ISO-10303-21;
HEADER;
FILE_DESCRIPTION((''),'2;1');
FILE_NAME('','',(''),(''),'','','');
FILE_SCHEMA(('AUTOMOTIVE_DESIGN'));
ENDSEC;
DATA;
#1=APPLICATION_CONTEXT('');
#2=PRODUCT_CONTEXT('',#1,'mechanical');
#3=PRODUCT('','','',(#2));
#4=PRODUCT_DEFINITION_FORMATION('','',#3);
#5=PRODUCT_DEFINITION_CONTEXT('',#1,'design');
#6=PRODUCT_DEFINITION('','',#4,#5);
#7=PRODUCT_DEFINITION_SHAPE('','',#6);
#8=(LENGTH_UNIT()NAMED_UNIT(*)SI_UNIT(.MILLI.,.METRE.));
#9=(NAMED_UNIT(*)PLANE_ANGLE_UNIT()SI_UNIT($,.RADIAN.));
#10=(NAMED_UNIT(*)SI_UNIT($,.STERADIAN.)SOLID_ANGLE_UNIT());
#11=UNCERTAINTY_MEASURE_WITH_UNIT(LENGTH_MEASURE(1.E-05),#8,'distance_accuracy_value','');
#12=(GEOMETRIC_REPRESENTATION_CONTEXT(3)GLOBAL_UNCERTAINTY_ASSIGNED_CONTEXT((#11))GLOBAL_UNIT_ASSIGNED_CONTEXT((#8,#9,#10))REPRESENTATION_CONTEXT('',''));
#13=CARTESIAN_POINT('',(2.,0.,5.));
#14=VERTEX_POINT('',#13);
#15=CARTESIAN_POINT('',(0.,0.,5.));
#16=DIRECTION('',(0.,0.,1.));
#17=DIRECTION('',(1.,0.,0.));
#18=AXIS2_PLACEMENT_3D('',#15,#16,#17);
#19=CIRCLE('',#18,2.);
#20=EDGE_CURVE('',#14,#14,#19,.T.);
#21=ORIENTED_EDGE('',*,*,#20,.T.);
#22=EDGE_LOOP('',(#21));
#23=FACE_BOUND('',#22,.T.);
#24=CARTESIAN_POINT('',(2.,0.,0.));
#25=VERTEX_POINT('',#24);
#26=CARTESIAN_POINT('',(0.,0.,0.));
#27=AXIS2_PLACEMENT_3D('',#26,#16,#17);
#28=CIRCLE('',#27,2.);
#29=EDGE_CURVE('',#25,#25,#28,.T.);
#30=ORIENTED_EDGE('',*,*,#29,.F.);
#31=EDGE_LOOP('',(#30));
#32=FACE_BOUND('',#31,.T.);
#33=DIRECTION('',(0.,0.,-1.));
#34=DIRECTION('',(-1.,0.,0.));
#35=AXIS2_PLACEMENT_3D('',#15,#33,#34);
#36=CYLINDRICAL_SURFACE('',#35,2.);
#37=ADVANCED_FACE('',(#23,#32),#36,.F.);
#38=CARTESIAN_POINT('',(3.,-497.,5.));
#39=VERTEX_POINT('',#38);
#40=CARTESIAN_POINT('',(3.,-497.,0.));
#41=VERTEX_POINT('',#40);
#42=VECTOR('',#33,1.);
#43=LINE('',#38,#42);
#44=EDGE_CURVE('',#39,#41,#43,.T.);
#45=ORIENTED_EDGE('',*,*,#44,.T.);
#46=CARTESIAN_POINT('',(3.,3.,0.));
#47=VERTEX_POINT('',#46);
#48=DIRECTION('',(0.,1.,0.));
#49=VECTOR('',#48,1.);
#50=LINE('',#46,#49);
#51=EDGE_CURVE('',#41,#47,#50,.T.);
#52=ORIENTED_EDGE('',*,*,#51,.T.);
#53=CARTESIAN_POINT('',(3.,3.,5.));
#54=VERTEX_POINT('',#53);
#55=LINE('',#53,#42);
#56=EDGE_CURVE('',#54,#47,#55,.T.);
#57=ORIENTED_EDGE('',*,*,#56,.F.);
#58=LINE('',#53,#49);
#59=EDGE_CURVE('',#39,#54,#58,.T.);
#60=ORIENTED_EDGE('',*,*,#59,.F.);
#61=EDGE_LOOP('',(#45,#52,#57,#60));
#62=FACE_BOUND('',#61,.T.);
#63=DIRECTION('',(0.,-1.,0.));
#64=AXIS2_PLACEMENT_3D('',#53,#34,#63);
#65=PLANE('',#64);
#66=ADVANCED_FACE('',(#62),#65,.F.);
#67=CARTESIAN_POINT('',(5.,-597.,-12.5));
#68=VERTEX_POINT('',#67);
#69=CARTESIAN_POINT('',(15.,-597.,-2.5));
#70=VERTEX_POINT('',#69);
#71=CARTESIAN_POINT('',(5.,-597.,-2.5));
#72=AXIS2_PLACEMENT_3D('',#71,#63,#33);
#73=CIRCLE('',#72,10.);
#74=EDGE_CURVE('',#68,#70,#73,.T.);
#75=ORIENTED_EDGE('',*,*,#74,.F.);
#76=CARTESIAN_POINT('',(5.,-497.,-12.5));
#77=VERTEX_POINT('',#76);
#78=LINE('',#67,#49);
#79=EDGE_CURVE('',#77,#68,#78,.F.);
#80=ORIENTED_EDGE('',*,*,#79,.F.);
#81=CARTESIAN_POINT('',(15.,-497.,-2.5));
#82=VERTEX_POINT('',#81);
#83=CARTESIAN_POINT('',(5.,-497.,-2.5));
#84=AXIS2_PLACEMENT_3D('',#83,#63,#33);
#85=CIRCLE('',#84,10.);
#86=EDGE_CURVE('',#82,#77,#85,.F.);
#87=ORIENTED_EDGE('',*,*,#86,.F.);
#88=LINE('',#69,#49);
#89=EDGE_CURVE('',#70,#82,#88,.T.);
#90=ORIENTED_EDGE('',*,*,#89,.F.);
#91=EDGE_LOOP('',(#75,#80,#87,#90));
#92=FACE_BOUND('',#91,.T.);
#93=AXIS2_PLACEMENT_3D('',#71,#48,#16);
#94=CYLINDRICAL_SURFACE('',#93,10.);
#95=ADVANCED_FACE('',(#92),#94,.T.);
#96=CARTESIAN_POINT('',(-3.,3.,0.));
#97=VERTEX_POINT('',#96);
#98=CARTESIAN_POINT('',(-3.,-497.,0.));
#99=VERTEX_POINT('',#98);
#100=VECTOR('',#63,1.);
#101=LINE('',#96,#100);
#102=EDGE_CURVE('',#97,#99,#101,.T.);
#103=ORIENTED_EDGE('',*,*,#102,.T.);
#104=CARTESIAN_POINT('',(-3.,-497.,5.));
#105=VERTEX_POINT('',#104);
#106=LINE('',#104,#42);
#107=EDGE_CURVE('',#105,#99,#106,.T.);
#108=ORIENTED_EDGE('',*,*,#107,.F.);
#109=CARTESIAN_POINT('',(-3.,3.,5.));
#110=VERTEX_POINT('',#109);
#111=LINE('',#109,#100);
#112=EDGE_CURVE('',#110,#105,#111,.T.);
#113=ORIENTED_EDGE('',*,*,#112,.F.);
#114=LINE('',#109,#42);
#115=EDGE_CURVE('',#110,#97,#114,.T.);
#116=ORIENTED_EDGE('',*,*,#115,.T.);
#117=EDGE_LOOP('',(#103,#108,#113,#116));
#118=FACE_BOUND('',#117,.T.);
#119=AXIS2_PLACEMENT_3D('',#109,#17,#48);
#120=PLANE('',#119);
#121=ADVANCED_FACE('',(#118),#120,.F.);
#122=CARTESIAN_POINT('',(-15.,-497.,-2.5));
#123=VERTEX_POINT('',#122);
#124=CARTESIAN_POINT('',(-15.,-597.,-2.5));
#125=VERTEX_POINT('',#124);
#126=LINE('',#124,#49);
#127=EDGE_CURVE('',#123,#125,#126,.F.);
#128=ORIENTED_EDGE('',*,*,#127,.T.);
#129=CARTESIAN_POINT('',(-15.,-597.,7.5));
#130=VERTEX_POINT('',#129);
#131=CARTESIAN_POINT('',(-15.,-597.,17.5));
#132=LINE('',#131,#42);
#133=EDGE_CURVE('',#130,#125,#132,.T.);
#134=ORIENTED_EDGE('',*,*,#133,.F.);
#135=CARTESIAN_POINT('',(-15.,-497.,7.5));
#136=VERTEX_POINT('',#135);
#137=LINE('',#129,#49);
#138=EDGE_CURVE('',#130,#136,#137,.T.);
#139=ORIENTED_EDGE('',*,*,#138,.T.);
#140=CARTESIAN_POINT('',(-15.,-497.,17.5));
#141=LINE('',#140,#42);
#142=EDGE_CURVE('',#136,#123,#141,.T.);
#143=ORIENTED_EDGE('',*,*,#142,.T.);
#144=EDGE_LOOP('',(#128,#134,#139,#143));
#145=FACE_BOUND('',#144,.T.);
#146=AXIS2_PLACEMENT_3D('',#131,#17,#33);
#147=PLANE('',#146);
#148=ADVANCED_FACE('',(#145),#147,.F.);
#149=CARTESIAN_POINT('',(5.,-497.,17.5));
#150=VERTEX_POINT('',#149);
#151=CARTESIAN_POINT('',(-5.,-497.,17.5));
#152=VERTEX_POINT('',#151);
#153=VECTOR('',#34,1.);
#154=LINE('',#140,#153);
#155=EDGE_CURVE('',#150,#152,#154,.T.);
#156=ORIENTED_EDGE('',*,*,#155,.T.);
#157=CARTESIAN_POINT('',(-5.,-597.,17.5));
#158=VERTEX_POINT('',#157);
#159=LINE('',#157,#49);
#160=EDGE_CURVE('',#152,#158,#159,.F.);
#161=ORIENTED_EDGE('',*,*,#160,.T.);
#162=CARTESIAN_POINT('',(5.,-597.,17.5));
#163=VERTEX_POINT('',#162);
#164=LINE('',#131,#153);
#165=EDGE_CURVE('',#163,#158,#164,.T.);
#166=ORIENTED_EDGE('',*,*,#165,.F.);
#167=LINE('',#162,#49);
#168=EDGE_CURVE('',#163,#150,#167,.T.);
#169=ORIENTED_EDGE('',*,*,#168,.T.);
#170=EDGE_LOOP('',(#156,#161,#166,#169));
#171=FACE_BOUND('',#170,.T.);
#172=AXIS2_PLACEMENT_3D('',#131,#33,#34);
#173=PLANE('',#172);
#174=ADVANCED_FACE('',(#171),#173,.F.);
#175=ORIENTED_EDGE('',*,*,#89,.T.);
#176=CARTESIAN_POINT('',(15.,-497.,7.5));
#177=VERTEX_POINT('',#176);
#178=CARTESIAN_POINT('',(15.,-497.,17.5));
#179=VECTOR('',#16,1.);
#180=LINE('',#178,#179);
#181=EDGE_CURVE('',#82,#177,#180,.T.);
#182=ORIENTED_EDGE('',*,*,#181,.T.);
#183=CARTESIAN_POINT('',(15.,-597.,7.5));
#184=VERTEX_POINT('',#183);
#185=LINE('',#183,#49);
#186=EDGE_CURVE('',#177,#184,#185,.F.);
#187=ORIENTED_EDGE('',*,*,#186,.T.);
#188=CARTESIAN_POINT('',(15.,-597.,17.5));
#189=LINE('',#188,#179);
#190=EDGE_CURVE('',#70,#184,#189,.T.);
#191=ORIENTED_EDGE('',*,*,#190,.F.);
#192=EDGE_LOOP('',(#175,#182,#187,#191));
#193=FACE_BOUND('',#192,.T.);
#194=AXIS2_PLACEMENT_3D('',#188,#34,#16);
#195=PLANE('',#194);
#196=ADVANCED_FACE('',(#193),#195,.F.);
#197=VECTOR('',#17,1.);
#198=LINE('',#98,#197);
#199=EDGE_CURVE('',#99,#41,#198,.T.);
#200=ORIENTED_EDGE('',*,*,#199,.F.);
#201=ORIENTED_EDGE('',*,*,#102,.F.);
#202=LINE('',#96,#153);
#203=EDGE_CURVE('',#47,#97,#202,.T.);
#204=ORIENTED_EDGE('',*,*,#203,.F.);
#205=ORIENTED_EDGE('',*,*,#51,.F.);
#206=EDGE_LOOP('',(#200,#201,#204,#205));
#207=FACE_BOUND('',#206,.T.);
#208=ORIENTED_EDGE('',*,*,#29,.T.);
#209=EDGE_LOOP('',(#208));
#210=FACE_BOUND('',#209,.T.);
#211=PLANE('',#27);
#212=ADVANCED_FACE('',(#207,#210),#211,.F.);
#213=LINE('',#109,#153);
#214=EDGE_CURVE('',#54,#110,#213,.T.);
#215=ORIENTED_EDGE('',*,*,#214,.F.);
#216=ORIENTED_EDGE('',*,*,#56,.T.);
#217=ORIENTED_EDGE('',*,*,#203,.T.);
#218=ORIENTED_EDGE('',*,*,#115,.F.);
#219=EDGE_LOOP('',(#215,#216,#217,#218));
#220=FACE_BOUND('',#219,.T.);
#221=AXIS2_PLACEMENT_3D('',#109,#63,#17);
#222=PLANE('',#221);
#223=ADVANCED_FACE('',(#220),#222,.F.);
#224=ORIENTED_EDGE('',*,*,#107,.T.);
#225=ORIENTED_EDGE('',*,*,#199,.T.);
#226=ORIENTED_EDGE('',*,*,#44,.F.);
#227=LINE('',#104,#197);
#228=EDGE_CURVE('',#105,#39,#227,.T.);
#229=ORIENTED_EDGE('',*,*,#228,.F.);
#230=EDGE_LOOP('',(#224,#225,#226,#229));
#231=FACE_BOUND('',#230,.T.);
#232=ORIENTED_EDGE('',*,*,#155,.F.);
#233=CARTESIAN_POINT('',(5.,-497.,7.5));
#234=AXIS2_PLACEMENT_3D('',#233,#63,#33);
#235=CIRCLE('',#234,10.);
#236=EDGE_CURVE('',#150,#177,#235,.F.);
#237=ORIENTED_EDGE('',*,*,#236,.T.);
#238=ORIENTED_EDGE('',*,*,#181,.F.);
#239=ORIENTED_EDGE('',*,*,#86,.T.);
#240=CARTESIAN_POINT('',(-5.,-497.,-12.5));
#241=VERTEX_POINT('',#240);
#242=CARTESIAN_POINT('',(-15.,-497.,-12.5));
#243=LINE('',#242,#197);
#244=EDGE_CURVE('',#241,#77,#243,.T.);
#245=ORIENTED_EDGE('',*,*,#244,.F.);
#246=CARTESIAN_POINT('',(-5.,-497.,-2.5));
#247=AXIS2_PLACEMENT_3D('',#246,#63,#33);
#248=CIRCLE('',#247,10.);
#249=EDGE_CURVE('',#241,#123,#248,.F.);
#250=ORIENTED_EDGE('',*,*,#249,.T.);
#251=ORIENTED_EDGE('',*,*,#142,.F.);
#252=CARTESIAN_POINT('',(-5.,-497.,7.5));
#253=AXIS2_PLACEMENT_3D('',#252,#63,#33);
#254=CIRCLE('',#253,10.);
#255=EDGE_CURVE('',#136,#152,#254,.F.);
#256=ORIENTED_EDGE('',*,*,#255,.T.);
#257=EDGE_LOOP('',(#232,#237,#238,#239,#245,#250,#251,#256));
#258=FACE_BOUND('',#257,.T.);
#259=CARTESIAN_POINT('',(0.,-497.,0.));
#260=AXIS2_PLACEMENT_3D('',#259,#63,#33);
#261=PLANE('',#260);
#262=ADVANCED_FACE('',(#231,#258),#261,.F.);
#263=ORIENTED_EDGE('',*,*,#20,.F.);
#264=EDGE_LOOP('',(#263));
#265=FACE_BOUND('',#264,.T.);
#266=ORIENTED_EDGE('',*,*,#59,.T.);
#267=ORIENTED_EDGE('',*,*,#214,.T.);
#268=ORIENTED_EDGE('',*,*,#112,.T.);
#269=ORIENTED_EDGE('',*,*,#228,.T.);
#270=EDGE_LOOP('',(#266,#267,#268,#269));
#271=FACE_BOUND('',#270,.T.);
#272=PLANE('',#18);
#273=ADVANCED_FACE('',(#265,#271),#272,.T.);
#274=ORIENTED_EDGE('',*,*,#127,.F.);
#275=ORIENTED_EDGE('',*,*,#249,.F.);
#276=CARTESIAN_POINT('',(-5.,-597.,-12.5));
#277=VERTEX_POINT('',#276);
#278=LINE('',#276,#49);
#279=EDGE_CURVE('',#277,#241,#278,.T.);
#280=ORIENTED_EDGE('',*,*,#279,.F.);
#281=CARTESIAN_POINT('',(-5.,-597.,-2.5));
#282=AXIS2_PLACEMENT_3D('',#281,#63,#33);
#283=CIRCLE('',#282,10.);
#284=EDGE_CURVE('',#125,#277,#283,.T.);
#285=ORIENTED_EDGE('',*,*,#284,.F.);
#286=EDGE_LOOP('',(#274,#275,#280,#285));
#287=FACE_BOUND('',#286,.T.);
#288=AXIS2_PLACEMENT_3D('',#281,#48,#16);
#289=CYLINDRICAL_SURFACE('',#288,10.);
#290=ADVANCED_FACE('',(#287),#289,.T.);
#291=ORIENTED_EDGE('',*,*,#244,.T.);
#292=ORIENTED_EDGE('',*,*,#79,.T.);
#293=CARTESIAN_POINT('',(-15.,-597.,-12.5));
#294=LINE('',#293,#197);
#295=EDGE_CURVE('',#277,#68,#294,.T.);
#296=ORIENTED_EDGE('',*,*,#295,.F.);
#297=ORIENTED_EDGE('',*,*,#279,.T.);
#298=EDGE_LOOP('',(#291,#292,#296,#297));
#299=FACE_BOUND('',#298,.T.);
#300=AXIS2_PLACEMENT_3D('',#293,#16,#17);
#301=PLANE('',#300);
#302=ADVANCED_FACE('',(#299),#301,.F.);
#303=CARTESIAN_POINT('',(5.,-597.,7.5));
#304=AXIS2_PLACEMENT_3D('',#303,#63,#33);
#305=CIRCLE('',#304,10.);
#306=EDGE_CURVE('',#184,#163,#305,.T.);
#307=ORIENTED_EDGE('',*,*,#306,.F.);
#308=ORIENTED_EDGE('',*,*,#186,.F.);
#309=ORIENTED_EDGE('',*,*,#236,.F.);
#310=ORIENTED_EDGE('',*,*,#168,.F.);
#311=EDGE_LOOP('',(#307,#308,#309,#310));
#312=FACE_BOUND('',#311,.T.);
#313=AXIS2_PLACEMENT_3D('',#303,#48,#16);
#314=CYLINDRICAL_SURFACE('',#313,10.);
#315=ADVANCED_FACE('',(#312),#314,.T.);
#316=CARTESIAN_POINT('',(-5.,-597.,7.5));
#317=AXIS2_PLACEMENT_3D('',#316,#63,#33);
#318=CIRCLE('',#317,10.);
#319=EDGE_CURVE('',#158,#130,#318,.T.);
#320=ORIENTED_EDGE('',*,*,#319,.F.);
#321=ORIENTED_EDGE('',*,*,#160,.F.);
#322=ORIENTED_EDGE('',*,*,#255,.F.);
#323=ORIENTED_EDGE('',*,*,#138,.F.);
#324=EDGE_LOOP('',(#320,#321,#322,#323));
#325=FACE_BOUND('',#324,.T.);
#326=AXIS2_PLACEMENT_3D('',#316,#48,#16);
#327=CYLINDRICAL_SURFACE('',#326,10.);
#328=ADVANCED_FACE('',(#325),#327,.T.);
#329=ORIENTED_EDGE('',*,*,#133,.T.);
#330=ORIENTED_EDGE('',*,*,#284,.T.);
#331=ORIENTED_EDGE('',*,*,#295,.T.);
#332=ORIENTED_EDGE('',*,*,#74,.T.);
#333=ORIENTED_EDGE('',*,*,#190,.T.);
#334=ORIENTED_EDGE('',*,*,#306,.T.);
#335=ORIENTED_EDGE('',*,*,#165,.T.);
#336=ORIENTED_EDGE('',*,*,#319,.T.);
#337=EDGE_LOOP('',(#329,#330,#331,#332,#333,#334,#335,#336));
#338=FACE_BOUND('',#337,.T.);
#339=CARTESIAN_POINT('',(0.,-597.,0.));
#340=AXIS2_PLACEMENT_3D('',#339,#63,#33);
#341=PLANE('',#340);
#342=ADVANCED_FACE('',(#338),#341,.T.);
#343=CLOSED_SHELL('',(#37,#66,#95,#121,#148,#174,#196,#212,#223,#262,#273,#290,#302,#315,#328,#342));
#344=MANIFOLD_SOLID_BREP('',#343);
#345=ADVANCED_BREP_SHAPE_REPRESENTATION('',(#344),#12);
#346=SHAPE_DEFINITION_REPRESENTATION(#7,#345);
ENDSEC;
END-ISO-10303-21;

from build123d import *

# Parameters (mm, degrees)
SKETCH1_W           = 6
SKETCH1_H           = 500
SKETCH1_R           = 2
BOSS_EXTRUDE1_DEPTH = 5
SKETCH2_W           = 30
SKETCH2_H           = 30
BOSS_EXTRUDE2_DEPTH = 100
FILLET1_R           = 10


with BuildPart() as part:
    # Sketch1 → Boss-Extrude1 (new body)
    with BuildSketch(Plane.XY):
        with Locations((0, -247)):
            Rectangle(SKETCH1_W, SKETCH1_H)
        Circle(SKETCH1_R, mode=Mode.SUBTRACT)
    extrude(amount=BOSS_EXTRUDE1_DEPTH)

    # Sketch2 → Boss-Extrude2 (add)
    with BuildSketch(Plane.XZ.offset(497)):
        with Locations((0, 2.5)):
            Rectangle(SKETCH2_W, SKETCH2_H)
    extrude(amount=BOSS_EXTRUDE2_DEPTH)

    # Fillet1
    fillet1_edges = [part.edges().sort_by_distance(p)[0] for p in [
        (15, -547, -12.5),
        (15, -547, 17.5),
        (-15, -547, 17.5),
        (-15, -547, -12.5),
    ]]
    fillet(fillet1_edges, radius=FILLET1_R)


solid = part.part
